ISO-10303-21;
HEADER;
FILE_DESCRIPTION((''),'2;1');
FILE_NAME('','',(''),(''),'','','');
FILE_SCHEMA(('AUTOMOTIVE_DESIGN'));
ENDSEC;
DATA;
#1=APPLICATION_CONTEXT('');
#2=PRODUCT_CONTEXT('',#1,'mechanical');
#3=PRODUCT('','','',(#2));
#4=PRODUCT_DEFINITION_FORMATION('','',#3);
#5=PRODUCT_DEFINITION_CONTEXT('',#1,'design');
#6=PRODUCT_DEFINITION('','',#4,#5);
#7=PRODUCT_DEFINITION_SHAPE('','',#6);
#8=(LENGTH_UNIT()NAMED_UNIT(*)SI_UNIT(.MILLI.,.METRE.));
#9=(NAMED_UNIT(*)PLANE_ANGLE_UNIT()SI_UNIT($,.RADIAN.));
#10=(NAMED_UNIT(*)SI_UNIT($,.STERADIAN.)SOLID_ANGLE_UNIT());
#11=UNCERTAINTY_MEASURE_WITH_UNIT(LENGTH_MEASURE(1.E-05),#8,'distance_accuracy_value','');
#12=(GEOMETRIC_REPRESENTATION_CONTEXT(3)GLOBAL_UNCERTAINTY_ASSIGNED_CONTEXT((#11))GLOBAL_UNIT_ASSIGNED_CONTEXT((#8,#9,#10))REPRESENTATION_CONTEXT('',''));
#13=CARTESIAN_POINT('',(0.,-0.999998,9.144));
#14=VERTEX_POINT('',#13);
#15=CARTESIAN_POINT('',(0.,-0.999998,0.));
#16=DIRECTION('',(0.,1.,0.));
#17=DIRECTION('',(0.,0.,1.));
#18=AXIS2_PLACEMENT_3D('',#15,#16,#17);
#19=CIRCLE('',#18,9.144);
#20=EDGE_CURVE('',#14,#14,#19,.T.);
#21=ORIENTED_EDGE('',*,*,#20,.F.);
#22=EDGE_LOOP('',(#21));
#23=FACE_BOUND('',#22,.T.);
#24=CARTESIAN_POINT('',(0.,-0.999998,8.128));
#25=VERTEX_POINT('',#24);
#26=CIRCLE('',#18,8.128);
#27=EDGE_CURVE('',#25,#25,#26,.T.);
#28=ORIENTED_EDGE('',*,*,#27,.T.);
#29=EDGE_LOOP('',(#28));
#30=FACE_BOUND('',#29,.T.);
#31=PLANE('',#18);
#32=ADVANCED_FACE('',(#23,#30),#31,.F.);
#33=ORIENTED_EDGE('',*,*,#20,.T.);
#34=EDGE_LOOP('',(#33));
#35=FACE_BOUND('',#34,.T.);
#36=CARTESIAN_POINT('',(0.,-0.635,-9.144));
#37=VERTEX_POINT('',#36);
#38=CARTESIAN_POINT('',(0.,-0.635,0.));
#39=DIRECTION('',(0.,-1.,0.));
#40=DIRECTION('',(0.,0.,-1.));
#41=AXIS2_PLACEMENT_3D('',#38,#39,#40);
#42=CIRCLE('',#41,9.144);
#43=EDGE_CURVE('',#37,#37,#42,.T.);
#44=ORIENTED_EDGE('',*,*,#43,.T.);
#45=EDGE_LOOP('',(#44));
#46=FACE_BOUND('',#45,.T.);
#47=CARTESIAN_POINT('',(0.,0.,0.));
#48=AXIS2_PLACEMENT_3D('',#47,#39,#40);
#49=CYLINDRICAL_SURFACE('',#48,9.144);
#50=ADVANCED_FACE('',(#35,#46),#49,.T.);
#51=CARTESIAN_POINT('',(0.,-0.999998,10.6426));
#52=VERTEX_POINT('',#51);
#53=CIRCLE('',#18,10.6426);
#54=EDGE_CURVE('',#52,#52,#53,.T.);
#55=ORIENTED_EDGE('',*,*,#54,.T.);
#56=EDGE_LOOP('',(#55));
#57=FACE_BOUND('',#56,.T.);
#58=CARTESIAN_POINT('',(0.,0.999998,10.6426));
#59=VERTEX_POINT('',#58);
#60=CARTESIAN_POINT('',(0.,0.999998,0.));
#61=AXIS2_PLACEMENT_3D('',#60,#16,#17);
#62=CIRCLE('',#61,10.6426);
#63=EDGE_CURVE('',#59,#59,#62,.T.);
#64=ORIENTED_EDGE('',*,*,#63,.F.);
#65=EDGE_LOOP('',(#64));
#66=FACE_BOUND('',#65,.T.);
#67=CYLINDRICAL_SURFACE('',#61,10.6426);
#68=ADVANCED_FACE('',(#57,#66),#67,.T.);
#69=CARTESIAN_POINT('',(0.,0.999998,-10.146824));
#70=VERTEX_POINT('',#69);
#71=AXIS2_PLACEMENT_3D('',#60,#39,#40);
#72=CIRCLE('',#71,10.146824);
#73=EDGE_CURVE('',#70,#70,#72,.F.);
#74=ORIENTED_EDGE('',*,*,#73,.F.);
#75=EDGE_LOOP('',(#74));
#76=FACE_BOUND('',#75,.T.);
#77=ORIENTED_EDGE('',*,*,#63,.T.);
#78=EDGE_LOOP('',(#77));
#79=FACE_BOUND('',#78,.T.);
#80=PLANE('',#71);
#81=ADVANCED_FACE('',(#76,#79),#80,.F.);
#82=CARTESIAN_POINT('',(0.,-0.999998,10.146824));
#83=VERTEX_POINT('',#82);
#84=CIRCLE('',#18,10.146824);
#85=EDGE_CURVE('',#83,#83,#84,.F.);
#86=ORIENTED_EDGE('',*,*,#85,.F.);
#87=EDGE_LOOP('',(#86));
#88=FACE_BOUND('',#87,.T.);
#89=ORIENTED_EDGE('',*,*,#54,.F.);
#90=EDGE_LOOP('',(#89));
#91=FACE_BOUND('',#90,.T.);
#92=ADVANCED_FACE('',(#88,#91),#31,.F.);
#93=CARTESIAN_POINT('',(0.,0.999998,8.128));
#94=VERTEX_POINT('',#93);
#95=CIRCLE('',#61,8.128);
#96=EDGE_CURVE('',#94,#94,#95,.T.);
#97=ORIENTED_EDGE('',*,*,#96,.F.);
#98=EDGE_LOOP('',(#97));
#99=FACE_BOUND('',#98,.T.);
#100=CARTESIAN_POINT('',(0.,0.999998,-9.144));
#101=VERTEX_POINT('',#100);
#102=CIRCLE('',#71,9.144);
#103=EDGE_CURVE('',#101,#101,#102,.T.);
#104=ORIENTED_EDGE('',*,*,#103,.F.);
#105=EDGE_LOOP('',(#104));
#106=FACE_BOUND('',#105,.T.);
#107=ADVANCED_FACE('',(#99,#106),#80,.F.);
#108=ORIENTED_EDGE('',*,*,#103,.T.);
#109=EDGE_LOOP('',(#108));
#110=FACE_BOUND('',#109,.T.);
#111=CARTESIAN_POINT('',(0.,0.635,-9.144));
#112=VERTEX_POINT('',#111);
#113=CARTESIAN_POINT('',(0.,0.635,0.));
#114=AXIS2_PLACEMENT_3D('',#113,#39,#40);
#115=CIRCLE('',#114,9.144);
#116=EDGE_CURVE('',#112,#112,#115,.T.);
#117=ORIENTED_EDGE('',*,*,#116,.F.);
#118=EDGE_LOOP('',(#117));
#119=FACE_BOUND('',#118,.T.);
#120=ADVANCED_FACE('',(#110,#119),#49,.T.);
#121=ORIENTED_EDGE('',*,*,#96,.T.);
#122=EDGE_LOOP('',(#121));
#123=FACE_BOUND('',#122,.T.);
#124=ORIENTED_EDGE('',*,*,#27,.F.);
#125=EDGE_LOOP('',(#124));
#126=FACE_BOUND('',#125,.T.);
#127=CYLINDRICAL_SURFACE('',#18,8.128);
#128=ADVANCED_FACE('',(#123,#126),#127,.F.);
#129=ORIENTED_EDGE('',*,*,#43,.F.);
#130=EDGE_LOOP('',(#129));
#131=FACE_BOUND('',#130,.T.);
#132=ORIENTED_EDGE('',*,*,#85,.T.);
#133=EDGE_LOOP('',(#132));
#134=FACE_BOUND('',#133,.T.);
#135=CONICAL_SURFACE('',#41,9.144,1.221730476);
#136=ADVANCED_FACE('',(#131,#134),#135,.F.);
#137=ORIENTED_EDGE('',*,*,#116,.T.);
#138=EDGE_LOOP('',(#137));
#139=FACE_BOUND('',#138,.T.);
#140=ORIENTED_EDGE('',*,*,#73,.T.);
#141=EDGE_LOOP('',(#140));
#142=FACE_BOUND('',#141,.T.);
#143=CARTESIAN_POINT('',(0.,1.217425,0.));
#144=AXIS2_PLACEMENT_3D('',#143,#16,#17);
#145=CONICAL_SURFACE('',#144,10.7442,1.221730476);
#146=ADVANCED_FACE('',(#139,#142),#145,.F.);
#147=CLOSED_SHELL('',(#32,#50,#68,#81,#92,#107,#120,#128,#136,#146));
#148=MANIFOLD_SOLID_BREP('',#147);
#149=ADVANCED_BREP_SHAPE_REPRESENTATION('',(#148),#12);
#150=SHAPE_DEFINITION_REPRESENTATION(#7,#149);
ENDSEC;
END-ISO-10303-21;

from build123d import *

# Parameters (mm, degrees)
SKETCH1_W          = 10.6426
SKETCH1_H          = 1.999996
SKETCH3_R          = 8.128
CUT_EXTRUDE1_DEPTH = 2.999996


with BuildPart() as part:
    # Sketch1 → Revolve1 (revolve)
    with BuildSketch(Plane.XY):
        with Locations((5.3213, 0)):
            Rectangle(SKETCH1_W, SKETCH1_H)
    revolve(axis=Axis((0, 0.999998, 0), (0, -1, 0)))

    # Sketch2 → Cut-Revolve1 (revolve, cut)
    with BuildSketch(Plane.XY):
        Polygon((-9.144, 0.635), (-9.144, 1.217425169), (-10.7442, 1.217425169), align=None)
        Polygon((-10.7442, -1.217425169), (-9.144, -0.635), (-9.144, -1.217425169), align=None)
    revolve(axis=Axis((0, 0, 0), (0, 1, 0)), mode=Mode.SUBTRACT)

    # Sketch3 → Cut-Extrude1 (cut, through all)
    with BuildSketch(Plane(origin=(0, 0.999998, 0), x_dir=(1, 0, 0), z_dir=(0, 1, 0))):
        Circle(SKETCH3_R)
    extrude(amount=-CUT_EXTRUDE1_DEPTH, mode=Mode.SUBTRACT)


solid = part.part
